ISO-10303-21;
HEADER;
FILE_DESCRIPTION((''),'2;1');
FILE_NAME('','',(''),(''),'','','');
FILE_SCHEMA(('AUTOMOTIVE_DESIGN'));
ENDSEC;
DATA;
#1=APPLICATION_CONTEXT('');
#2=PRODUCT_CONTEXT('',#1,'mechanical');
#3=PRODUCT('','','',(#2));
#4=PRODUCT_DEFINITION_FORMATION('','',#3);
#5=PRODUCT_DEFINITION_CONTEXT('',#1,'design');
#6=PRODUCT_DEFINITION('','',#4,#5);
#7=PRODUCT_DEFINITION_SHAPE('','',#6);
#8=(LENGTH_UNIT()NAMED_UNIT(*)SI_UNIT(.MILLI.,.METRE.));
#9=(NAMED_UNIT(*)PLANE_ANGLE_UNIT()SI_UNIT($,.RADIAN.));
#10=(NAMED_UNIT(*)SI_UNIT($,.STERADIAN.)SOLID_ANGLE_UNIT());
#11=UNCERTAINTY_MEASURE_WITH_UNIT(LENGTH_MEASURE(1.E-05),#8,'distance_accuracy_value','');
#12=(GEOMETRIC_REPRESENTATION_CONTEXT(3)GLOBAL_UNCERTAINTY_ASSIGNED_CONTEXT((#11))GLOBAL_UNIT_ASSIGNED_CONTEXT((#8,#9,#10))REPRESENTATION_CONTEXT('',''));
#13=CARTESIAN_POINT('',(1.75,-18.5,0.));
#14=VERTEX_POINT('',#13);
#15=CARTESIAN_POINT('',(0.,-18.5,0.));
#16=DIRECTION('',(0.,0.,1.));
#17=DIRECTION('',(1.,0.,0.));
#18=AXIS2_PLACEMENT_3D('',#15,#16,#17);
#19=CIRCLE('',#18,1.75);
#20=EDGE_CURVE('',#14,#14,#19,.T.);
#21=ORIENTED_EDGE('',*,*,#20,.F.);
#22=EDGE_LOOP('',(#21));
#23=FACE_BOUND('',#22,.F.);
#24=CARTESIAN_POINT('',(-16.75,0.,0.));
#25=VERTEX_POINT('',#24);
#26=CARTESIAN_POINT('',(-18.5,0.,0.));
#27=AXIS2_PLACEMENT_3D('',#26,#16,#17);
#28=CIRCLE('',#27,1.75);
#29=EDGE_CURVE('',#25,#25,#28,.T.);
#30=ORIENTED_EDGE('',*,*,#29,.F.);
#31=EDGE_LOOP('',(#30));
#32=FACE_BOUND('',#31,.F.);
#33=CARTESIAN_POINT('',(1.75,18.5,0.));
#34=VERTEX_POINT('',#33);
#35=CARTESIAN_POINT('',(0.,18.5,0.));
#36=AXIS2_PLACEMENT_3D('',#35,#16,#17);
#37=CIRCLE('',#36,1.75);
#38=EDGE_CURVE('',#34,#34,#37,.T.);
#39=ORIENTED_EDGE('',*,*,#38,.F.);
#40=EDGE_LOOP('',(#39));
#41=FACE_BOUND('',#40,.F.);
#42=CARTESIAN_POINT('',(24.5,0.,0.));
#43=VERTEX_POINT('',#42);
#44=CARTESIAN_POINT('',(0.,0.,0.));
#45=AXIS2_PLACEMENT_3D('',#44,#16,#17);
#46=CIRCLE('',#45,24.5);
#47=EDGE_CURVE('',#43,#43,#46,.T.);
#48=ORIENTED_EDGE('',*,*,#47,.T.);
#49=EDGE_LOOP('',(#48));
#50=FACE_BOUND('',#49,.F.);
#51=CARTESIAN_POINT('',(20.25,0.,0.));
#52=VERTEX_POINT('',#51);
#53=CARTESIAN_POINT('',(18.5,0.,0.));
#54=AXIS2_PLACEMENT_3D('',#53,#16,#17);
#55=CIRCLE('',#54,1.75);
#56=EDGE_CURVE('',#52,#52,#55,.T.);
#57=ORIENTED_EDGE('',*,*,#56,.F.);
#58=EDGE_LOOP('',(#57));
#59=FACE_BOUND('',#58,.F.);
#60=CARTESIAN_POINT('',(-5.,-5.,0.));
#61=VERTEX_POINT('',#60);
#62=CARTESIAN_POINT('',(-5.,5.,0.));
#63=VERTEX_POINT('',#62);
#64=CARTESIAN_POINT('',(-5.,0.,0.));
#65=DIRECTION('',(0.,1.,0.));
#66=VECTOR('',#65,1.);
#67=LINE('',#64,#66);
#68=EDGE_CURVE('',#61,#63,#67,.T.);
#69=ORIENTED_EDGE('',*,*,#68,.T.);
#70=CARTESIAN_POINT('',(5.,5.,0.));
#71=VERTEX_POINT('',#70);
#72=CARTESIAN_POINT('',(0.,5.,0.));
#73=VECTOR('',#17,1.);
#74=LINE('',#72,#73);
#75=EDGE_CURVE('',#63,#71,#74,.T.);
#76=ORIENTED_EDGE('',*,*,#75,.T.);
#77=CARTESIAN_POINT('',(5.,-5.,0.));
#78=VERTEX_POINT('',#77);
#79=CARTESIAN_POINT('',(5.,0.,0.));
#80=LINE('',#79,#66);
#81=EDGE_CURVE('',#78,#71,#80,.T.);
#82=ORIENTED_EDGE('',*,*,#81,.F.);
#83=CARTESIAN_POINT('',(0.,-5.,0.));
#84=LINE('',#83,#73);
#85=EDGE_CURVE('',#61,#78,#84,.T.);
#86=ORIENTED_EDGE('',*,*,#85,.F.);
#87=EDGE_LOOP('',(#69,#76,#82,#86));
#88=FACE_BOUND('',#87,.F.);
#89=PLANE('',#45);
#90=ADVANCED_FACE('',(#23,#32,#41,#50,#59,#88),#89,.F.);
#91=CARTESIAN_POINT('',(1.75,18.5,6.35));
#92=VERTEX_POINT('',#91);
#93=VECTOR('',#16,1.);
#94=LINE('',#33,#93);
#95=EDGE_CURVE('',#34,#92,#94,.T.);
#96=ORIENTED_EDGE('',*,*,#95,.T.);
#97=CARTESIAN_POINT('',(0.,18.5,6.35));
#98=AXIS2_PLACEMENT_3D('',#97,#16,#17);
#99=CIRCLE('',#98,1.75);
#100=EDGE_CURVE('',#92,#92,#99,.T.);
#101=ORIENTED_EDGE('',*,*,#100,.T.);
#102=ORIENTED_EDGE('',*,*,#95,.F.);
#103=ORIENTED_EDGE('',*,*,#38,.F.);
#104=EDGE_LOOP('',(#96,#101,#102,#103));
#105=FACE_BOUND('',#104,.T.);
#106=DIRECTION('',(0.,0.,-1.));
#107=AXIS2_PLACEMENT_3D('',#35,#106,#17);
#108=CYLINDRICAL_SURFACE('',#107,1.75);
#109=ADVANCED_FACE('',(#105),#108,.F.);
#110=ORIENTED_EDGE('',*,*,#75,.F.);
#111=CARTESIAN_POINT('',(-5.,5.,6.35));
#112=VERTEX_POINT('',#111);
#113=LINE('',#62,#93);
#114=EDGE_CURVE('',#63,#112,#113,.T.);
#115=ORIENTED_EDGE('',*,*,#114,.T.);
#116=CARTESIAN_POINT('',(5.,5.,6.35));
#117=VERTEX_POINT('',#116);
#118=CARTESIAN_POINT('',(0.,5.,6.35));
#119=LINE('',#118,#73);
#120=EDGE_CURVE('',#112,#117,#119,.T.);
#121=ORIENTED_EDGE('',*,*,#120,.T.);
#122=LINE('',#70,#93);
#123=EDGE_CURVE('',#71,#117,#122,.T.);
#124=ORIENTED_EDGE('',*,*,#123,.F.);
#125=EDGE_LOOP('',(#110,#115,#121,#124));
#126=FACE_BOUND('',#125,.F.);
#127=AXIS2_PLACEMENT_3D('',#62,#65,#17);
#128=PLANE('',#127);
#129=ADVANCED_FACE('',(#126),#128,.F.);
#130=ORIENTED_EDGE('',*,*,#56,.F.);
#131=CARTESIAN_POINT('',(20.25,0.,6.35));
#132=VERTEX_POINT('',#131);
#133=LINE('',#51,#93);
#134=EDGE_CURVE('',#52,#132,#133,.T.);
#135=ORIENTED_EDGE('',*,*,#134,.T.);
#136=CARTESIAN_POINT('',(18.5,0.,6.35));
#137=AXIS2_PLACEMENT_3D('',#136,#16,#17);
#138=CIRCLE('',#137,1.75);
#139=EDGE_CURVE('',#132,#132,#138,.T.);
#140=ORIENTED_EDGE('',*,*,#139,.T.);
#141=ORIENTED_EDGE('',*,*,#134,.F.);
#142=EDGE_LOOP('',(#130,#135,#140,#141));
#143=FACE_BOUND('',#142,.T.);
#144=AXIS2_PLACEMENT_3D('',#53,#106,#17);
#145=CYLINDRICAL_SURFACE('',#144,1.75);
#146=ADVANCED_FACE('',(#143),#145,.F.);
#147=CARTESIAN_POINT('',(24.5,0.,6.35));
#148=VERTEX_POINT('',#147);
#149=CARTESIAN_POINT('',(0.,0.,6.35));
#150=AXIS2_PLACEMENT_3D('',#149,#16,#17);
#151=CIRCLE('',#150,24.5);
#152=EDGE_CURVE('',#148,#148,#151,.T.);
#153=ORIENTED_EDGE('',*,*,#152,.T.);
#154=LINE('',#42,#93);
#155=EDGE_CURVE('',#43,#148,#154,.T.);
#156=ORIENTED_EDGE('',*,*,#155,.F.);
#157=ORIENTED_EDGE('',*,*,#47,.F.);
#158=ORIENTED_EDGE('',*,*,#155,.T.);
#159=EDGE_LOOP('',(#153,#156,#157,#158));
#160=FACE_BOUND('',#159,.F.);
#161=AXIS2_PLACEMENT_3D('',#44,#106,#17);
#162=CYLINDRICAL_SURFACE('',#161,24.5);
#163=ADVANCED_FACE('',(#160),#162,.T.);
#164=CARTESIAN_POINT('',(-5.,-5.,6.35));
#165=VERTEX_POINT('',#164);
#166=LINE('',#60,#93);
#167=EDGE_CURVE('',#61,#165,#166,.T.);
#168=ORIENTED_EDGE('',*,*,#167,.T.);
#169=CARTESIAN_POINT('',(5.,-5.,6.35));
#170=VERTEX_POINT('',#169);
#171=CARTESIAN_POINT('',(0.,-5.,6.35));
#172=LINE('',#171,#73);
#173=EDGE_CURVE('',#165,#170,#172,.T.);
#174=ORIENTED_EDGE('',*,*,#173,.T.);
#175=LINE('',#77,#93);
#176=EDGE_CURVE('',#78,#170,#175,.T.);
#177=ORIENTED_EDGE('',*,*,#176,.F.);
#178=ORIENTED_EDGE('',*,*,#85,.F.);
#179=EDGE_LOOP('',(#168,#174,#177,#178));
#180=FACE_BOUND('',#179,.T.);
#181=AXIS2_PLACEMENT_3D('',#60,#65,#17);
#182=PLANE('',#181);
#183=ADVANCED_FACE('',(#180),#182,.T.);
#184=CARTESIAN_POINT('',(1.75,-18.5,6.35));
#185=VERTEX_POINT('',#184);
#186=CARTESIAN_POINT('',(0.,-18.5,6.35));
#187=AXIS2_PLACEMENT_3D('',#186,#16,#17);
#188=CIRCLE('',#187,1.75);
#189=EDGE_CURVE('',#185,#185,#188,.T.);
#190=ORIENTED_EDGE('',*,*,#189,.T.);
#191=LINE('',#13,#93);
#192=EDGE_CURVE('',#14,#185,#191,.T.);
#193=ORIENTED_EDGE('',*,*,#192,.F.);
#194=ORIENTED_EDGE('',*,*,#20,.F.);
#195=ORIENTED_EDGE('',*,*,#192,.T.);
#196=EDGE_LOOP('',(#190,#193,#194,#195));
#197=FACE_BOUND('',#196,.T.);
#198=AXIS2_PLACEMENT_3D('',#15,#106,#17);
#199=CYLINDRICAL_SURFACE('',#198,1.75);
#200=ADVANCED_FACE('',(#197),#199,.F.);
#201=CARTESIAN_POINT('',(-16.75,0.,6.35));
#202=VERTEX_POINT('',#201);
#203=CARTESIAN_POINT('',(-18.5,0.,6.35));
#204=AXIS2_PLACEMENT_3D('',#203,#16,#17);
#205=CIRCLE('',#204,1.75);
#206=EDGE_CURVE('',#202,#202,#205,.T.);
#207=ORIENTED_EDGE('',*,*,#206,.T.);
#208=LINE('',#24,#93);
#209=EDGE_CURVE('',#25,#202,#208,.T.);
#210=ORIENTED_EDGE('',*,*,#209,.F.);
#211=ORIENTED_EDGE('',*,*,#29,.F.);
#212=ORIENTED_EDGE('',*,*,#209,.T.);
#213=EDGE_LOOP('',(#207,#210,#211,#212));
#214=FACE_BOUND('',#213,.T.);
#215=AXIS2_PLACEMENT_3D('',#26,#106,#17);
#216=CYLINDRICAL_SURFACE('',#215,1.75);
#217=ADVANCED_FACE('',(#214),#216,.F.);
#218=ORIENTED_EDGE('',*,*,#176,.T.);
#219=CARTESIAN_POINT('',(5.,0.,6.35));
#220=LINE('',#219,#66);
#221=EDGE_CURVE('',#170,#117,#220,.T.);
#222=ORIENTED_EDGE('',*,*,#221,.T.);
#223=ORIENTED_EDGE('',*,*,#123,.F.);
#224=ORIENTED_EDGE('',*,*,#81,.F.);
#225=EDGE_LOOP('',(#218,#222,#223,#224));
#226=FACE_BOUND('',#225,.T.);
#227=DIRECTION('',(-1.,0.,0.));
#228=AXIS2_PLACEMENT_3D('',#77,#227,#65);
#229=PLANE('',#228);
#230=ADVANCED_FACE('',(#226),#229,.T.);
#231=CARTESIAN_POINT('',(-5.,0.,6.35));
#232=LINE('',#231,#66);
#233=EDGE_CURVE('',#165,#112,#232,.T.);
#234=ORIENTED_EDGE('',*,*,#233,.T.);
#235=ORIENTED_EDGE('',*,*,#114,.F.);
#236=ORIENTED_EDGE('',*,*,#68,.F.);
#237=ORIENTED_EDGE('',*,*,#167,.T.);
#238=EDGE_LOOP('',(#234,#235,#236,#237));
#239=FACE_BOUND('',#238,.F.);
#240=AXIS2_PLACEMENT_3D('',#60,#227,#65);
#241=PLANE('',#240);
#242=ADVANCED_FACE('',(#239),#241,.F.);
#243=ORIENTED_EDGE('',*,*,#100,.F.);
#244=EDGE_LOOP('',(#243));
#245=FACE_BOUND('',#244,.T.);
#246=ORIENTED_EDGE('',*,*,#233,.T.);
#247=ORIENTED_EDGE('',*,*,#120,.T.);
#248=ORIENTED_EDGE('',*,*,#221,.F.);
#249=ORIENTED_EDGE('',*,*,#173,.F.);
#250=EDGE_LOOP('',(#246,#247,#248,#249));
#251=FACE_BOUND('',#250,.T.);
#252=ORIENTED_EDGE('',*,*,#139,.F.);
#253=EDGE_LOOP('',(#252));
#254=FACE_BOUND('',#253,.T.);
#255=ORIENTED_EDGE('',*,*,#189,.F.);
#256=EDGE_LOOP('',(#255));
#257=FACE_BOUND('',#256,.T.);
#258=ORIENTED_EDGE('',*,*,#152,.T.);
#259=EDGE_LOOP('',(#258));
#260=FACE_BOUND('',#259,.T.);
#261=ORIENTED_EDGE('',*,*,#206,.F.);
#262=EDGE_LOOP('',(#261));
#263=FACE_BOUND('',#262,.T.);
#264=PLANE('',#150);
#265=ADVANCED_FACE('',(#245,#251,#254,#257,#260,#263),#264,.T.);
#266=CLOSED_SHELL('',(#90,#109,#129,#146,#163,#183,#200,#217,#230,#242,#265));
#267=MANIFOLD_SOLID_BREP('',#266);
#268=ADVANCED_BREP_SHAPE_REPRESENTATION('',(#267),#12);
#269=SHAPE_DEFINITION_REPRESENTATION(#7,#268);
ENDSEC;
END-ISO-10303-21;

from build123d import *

# Parameters (mm, degrees)
F0_R     = 24.5
F0_R_2   = 1.75
F0_W     = 10
F0_H     = 10
F1_DEPTH = 6.35


with BuildPart() as f1:
    # F0 (on Top) → F1 (new body)
    with BuildSketch(Plane.XY):
        Circle(F0_R)
        with Locations((0, -18.5)):
            Circle(F0_R_2, mode=Mode.SUBTRACT)
        with Locations((-18.5, 0)):
            Circle(F0_R_2, mode=Mode.SUBTRACT)
        Rectangle(F0_W, F0_H, mode=Mode.SUBTRACT)
        with Locations((18.5, 0)):
            Circle(F0_R_2, mode=Mode.SUBTRACT)
        with Locations((0, 18.5)):
            Circle(F0_R_2, mode=Mode.SUBTRACT)
    extrude(amount=F1_DEPTH)


solid = f1.part
